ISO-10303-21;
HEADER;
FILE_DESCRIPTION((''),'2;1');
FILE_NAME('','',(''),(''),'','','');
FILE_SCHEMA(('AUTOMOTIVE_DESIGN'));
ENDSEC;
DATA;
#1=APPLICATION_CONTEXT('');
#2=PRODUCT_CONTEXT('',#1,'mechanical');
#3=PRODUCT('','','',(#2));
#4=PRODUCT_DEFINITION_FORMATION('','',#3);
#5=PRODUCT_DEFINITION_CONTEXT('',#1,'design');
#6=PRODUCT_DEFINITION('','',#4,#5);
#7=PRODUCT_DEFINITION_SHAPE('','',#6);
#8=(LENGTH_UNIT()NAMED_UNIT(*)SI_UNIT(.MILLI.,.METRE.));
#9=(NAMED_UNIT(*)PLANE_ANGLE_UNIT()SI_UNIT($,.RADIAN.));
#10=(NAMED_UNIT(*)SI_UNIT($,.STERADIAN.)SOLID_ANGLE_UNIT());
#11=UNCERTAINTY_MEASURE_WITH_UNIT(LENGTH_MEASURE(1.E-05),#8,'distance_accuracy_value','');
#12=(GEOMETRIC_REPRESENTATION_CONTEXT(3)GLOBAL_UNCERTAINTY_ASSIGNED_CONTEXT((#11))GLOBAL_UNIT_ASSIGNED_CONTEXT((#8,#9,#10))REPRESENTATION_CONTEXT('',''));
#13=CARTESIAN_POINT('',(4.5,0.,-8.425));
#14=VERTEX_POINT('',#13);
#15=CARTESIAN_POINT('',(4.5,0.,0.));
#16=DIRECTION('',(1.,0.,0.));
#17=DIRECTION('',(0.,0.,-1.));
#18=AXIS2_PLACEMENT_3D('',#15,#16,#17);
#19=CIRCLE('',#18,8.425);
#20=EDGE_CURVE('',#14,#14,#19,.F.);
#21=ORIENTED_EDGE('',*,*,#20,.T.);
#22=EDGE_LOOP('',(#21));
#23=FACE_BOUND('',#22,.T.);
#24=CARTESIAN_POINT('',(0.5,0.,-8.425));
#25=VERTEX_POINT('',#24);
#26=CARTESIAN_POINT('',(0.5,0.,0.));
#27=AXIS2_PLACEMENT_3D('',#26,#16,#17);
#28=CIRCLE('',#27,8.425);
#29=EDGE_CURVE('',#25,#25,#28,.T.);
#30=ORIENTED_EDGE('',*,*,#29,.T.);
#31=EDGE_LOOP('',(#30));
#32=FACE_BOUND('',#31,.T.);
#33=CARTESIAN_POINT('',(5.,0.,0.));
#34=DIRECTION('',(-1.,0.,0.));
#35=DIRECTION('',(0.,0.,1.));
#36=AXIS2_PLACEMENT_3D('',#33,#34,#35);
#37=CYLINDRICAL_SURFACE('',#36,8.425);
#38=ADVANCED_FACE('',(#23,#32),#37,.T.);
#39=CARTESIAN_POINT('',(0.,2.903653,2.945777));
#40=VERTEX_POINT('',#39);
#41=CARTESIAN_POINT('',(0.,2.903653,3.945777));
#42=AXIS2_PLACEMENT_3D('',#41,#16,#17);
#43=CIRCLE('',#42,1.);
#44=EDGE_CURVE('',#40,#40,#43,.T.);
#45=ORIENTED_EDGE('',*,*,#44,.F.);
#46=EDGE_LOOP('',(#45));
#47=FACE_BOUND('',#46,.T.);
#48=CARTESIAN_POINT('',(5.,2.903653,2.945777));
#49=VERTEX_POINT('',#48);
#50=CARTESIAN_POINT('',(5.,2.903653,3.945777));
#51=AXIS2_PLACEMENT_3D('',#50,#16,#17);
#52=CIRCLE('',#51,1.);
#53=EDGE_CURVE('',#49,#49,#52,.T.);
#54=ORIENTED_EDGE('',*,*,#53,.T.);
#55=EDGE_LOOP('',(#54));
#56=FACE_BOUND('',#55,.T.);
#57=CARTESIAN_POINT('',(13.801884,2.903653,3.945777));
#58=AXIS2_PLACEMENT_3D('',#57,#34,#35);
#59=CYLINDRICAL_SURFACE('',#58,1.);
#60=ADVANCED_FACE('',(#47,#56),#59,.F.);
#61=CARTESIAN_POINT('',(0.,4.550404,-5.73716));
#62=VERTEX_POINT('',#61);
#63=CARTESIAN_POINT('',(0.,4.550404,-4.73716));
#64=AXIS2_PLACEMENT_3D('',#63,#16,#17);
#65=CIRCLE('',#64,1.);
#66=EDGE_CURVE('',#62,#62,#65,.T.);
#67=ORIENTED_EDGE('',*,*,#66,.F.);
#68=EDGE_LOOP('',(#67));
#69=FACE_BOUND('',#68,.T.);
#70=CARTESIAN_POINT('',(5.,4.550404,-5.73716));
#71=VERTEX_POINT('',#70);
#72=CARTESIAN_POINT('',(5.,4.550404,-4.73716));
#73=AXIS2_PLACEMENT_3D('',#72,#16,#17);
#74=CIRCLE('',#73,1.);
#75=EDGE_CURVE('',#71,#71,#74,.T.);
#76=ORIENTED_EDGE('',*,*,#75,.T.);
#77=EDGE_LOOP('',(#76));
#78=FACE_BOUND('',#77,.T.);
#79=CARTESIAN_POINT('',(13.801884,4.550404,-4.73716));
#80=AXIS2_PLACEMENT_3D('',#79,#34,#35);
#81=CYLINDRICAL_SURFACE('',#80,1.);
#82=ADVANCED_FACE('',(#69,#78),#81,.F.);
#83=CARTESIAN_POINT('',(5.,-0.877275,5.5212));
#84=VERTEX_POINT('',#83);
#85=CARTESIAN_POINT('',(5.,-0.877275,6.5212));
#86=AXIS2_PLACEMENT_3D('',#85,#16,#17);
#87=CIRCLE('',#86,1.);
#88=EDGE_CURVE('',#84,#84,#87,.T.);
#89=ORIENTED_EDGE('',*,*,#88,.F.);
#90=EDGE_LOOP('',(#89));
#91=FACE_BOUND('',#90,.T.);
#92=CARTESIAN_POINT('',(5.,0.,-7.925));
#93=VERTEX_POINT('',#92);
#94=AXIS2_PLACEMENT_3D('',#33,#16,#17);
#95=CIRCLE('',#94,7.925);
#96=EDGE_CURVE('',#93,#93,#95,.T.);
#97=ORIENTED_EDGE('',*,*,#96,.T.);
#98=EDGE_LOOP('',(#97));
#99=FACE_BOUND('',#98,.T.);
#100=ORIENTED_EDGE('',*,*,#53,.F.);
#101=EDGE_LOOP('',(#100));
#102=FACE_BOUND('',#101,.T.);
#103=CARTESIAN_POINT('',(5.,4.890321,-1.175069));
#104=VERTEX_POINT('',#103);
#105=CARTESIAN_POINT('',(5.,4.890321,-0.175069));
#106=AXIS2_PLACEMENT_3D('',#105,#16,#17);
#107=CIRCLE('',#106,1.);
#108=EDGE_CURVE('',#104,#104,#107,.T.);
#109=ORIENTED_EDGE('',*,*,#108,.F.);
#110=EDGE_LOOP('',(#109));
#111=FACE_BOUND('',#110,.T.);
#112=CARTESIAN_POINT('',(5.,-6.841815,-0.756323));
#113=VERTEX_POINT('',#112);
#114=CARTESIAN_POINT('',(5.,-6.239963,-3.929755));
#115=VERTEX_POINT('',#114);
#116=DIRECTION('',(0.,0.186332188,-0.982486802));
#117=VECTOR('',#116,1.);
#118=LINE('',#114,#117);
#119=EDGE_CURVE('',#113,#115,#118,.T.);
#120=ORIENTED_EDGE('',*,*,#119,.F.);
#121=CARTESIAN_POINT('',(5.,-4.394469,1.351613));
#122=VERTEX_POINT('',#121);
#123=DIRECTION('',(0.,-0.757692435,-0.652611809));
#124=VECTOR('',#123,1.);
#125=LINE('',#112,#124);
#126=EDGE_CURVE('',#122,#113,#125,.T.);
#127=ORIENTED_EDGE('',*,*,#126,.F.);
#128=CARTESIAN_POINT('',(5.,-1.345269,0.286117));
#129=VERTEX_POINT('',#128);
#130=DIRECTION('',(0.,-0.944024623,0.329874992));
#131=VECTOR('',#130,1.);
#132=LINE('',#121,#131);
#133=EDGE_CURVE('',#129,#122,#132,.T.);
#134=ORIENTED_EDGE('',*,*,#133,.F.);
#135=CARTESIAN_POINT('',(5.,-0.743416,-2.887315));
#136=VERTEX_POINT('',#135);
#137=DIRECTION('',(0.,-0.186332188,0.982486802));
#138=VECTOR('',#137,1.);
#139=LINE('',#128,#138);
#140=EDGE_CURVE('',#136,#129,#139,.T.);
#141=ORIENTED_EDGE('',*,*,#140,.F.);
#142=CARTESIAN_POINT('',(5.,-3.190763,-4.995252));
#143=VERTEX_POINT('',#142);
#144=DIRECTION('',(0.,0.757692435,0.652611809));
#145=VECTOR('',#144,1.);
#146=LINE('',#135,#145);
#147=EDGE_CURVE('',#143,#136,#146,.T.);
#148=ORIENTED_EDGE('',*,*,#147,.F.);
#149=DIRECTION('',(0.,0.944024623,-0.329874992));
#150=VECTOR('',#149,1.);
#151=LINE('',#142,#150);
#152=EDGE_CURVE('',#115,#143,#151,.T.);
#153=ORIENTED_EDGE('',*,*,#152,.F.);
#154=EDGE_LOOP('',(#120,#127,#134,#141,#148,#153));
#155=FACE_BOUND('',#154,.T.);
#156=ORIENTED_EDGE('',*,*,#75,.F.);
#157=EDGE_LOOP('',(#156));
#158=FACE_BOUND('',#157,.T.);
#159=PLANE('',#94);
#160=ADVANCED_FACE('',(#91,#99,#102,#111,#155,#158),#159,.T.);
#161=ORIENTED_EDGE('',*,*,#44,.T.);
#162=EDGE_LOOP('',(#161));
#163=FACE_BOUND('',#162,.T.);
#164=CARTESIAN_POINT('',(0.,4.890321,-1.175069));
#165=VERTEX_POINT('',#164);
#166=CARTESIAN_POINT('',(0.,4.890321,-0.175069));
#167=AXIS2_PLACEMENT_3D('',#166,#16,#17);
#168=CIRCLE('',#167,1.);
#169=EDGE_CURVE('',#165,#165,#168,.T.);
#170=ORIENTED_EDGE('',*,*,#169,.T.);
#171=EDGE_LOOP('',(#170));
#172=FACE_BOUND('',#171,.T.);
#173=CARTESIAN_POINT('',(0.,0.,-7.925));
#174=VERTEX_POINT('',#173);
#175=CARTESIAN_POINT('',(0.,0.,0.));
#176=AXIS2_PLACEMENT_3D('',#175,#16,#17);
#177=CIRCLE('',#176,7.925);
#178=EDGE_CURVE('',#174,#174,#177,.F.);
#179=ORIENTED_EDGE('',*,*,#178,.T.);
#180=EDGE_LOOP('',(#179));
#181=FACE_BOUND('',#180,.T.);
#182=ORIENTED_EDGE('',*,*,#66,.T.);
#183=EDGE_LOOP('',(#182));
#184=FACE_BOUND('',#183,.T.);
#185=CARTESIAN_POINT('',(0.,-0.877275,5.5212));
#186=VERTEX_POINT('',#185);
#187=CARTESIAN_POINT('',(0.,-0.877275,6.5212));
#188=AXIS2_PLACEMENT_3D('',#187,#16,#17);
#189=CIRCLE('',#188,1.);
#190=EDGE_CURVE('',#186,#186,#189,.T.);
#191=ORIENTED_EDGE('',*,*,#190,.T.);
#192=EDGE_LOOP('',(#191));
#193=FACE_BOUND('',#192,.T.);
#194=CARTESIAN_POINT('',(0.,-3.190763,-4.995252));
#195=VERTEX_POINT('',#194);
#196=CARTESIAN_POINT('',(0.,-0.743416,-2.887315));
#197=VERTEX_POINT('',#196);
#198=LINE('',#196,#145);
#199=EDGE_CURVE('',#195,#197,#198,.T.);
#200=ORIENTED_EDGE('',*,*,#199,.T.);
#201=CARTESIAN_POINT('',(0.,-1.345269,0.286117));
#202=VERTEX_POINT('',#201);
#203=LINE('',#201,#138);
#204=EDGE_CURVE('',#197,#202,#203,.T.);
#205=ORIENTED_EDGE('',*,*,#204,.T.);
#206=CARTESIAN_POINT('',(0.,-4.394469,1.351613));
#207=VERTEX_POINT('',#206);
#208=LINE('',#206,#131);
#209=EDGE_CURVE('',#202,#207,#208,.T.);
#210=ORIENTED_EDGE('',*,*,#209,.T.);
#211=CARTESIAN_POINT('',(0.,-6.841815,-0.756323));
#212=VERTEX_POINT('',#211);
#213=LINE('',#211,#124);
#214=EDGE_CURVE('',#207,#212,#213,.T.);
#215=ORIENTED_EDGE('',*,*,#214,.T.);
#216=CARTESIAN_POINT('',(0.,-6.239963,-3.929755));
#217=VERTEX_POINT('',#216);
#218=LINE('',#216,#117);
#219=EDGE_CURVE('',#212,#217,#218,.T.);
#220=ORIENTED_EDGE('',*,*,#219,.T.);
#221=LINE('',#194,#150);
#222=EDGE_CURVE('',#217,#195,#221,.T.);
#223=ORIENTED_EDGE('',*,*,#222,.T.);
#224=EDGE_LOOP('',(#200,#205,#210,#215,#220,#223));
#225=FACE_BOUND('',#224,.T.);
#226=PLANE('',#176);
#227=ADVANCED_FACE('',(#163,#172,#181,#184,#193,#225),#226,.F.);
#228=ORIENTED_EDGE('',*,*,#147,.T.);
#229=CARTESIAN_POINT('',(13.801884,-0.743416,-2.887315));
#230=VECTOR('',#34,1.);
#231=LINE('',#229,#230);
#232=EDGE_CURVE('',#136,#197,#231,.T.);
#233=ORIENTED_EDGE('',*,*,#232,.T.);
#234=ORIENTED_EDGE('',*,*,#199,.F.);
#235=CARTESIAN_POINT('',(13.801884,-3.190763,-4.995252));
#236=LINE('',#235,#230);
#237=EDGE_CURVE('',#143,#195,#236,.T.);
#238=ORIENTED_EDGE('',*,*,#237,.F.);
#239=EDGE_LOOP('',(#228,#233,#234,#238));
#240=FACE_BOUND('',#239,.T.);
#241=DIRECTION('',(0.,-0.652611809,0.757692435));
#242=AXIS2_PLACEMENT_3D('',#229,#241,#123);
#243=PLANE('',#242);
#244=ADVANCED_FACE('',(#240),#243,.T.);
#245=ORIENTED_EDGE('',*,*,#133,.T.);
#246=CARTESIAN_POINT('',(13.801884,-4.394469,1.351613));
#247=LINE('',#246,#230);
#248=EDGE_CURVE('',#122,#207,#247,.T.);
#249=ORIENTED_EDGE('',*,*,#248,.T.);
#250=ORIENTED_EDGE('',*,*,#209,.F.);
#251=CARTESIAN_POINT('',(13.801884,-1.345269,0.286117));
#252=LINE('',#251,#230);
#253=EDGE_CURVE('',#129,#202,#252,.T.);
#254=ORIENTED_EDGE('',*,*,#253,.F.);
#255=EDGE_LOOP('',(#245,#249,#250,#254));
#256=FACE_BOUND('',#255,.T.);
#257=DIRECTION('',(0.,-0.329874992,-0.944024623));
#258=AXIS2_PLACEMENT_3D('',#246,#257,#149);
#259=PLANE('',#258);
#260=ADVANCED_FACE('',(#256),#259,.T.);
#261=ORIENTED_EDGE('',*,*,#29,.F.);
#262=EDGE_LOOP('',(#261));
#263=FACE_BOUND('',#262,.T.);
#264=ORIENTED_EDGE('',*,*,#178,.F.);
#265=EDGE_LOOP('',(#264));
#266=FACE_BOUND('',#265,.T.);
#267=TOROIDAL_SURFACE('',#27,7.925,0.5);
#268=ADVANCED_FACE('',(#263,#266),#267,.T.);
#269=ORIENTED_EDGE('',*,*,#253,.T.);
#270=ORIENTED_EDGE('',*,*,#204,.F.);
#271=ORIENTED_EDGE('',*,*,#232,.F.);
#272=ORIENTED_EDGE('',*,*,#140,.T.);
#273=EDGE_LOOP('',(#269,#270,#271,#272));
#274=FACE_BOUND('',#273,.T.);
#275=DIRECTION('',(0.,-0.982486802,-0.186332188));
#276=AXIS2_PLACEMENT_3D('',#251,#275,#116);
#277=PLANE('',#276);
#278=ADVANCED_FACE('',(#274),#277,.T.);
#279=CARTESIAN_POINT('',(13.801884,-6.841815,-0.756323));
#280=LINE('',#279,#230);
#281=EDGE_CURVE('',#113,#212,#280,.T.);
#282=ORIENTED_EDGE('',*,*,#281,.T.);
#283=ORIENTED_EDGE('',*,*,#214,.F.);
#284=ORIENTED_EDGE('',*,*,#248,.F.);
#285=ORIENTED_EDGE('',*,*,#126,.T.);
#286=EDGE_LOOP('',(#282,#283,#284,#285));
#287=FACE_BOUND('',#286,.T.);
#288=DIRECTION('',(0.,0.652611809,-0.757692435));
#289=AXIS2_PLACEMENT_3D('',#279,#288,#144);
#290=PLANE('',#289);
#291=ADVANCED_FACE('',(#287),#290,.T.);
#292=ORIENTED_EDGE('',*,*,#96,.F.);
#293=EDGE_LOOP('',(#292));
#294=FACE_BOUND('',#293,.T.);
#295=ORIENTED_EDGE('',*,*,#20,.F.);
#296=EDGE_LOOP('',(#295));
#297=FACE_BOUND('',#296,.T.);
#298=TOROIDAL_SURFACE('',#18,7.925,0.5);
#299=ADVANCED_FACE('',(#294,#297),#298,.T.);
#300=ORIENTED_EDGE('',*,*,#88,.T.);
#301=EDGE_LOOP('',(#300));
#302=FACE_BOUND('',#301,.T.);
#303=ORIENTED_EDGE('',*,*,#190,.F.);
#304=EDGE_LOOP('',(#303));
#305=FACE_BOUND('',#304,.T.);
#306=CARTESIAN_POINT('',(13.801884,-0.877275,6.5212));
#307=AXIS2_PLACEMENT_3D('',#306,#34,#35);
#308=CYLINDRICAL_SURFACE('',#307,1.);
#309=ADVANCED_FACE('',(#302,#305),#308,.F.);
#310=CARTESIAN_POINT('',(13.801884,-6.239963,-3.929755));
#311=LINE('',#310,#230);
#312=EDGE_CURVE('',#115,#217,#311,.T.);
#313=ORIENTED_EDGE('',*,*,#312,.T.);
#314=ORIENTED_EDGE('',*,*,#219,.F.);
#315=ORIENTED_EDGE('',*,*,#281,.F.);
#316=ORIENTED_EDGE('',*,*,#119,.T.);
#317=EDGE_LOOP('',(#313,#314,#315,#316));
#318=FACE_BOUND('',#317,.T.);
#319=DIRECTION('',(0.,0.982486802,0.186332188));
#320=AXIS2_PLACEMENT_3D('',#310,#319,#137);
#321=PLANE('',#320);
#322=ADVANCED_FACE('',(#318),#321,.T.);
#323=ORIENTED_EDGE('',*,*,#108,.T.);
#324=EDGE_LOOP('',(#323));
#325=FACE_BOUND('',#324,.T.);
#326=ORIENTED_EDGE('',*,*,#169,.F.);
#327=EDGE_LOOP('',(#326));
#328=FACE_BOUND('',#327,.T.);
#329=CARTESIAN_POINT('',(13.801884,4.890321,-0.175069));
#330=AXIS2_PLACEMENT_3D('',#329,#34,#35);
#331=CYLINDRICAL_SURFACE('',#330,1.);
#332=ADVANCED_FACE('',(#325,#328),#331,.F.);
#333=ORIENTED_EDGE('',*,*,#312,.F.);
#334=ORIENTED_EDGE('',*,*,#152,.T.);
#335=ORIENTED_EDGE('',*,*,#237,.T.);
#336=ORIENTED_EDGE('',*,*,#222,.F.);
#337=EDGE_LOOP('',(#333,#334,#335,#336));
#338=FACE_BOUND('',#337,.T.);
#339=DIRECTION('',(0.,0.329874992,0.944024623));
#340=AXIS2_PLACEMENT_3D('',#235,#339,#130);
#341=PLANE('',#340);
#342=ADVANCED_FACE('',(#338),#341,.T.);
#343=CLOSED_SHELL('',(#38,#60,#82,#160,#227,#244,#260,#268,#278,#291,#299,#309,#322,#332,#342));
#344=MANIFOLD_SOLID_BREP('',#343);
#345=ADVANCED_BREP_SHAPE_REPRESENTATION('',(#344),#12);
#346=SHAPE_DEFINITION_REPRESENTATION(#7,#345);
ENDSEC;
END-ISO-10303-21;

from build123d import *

# Parameters (mm, degrees)
SKIZZE1_R                       = 8.425
AUFSATZ_LINEAR_AUSTRAGEN1_DEPTH = 5
SKIZZE2_R                       = 1
SCHNITT_LINEAR_AUSTRAGEN1_DEPTH = 5
VERRUNDUNG5_R                   = 0.5
VERRUNDUNG6_R                   = 0.5


with BuildPart() as part:
    # Skizze1 → Aufsatz-Linear austragen1 (new body)
    with BuildSketch(Plane(origin=(0, 0, 0), x_dir=(0, 0, -1), z_dir=(1, 0, 0))):
        Circle(SKIZZE1_R)
    extrude(amount=AUFSATZ_LINEAR_AUSTRAGEN1_DEPTH)

    # Skizze2 → Schnitt-Linear austragen1 (cut)
    with BuildSketch(Plane(origin=(0, 0, 0), x_dir=(0, 0, -1), z_dir=(1, 0, 0))):
        with Locations((4.737160117, 4.550403752)):
            Circle(SKIZZE2_R)
        with Locations((0.175068654, 4.890321488)):
            Circle(SKIZZE2_R)
        with Locations((-3.945777315, 2.90365315)):
            Circle(SKIZZE2_R)
        with Locations((-6.521200441, -0.877275083)):
            Circle(SKIZZE2_R)
        Polygon((-0.286116888, -1.345269379), (2.887315481, -0.743416411), (4.995251626, -3.190762977), (3.929755401, -6.23996251), (0.756323031, -6.841815478), (-1.351613114, -4.394468913), align=None)
    extrude(amount=SCHNITT_LINEAR_AUSTRAGEN1_DEPTH, mode=Mode.SUBTRACT)

    # Verrundung5
    verrundung5_edges = [part.edges().sort_by_distance(p)[0] for p in [
        (5, 0, 8.425),
    ]]
    fillet(verrundung5_edges, radius=VERRUNDUNG5_R)

    # Verrundung6
    verrundung6_edges = [part.edges().sort_by_distance(p)[0] for p in [
        (0, 0, 8.425),
    ]]
    fillet(verrundung6_edges, radius=VERRUNDUNG6_R)


solid = part.part
